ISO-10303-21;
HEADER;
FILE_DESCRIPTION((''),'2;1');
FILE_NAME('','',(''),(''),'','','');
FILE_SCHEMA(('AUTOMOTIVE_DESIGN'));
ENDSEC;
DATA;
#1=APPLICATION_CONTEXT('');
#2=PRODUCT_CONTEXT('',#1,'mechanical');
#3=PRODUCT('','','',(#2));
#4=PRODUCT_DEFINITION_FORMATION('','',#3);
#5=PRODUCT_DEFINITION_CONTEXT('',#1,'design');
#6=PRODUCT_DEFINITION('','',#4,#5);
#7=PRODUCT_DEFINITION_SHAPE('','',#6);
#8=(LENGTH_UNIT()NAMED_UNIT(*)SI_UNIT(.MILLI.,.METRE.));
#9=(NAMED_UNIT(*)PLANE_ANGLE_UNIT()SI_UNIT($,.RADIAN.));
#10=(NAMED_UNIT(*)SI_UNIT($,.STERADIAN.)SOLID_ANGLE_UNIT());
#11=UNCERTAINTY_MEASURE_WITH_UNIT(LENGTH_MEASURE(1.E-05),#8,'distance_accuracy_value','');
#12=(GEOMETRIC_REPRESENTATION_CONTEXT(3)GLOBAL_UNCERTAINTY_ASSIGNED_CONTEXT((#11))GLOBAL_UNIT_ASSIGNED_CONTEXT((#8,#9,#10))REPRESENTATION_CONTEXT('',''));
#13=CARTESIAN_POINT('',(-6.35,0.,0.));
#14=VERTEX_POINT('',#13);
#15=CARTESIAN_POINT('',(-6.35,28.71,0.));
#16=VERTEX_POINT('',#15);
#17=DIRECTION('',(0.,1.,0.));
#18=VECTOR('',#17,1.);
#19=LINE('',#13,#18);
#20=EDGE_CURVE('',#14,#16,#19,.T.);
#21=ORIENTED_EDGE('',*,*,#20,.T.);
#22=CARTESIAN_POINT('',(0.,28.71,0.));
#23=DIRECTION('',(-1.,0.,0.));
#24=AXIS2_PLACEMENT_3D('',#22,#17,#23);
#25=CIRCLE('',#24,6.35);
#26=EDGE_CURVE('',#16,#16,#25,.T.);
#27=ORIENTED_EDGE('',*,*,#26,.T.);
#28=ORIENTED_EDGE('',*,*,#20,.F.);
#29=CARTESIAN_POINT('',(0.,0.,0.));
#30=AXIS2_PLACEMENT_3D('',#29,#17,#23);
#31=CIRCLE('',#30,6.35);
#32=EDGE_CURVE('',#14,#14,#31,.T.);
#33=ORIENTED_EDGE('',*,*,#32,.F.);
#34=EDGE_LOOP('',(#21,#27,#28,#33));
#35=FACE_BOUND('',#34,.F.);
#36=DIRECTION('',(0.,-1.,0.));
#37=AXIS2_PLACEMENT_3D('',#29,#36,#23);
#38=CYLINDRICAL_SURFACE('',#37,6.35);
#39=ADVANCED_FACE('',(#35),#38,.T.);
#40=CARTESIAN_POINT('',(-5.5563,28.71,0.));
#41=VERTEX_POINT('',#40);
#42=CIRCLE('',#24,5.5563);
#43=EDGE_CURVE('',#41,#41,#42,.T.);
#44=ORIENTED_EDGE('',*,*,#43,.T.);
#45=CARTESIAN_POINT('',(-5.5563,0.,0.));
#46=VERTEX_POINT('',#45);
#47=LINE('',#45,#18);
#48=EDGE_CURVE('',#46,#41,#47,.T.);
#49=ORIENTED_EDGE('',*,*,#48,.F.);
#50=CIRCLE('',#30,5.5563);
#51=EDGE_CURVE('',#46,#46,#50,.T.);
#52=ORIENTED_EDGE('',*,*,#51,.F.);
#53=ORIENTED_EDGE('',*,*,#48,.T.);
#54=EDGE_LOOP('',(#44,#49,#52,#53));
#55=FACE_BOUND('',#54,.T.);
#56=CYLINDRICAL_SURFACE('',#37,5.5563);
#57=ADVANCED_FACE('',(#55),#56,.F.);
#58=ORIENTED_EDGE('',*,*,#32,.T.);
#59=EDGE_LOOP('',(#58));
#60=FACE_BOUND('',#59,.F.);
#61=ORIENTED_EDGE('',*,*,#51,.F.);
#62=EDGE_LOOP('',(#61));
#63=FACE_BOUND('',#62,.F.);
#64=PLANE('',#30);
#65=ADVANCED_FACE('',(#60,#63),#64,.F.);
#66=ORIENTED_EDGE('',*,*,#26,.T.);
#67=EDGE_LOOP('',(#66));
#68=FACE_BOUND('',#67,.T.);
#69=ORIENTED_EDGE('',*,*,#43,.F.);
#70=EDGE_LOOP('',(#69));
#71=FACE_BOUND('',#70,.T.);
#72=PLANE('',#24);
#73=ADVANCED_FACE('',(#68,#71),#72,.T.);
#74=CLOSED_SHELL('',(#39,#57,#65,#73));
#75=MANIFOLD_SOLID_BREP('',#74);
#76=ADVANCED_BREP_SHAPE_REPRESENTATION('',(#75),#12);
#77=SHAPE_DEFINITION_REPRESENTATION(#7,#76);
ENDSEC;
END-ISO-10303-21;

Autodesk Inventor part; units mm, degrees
ref_plane "YZ Plane" through (0, 0, 0) normal (1, 0, 0) x (0, 1, 0)
ref_plane "XZ Plane" through (0, 0, 0) normal (0, 1, 0) x (-1, 0, 0)
ref_plane "XY Plane" through (0, 0, 0) normal (0, 0, 1) x (1, 0, 0)
sketch "Sketch1" plane through (0, 0, 0) normal (0, 1, 0) x (-1, 0, 0)
  circle A0 centre (0, 0) radius 6.35
  circle A1 centre (0, 0) radius 5.5563
  dimension "diametro_externo" = 12.7
  dimension "diametro_interno" = 11.1125
extrude "Extrusion1" add sketch "Sketch1" along normal blind 28.71
properties part number "coso_pequeño" material "Aluminum 6061"
